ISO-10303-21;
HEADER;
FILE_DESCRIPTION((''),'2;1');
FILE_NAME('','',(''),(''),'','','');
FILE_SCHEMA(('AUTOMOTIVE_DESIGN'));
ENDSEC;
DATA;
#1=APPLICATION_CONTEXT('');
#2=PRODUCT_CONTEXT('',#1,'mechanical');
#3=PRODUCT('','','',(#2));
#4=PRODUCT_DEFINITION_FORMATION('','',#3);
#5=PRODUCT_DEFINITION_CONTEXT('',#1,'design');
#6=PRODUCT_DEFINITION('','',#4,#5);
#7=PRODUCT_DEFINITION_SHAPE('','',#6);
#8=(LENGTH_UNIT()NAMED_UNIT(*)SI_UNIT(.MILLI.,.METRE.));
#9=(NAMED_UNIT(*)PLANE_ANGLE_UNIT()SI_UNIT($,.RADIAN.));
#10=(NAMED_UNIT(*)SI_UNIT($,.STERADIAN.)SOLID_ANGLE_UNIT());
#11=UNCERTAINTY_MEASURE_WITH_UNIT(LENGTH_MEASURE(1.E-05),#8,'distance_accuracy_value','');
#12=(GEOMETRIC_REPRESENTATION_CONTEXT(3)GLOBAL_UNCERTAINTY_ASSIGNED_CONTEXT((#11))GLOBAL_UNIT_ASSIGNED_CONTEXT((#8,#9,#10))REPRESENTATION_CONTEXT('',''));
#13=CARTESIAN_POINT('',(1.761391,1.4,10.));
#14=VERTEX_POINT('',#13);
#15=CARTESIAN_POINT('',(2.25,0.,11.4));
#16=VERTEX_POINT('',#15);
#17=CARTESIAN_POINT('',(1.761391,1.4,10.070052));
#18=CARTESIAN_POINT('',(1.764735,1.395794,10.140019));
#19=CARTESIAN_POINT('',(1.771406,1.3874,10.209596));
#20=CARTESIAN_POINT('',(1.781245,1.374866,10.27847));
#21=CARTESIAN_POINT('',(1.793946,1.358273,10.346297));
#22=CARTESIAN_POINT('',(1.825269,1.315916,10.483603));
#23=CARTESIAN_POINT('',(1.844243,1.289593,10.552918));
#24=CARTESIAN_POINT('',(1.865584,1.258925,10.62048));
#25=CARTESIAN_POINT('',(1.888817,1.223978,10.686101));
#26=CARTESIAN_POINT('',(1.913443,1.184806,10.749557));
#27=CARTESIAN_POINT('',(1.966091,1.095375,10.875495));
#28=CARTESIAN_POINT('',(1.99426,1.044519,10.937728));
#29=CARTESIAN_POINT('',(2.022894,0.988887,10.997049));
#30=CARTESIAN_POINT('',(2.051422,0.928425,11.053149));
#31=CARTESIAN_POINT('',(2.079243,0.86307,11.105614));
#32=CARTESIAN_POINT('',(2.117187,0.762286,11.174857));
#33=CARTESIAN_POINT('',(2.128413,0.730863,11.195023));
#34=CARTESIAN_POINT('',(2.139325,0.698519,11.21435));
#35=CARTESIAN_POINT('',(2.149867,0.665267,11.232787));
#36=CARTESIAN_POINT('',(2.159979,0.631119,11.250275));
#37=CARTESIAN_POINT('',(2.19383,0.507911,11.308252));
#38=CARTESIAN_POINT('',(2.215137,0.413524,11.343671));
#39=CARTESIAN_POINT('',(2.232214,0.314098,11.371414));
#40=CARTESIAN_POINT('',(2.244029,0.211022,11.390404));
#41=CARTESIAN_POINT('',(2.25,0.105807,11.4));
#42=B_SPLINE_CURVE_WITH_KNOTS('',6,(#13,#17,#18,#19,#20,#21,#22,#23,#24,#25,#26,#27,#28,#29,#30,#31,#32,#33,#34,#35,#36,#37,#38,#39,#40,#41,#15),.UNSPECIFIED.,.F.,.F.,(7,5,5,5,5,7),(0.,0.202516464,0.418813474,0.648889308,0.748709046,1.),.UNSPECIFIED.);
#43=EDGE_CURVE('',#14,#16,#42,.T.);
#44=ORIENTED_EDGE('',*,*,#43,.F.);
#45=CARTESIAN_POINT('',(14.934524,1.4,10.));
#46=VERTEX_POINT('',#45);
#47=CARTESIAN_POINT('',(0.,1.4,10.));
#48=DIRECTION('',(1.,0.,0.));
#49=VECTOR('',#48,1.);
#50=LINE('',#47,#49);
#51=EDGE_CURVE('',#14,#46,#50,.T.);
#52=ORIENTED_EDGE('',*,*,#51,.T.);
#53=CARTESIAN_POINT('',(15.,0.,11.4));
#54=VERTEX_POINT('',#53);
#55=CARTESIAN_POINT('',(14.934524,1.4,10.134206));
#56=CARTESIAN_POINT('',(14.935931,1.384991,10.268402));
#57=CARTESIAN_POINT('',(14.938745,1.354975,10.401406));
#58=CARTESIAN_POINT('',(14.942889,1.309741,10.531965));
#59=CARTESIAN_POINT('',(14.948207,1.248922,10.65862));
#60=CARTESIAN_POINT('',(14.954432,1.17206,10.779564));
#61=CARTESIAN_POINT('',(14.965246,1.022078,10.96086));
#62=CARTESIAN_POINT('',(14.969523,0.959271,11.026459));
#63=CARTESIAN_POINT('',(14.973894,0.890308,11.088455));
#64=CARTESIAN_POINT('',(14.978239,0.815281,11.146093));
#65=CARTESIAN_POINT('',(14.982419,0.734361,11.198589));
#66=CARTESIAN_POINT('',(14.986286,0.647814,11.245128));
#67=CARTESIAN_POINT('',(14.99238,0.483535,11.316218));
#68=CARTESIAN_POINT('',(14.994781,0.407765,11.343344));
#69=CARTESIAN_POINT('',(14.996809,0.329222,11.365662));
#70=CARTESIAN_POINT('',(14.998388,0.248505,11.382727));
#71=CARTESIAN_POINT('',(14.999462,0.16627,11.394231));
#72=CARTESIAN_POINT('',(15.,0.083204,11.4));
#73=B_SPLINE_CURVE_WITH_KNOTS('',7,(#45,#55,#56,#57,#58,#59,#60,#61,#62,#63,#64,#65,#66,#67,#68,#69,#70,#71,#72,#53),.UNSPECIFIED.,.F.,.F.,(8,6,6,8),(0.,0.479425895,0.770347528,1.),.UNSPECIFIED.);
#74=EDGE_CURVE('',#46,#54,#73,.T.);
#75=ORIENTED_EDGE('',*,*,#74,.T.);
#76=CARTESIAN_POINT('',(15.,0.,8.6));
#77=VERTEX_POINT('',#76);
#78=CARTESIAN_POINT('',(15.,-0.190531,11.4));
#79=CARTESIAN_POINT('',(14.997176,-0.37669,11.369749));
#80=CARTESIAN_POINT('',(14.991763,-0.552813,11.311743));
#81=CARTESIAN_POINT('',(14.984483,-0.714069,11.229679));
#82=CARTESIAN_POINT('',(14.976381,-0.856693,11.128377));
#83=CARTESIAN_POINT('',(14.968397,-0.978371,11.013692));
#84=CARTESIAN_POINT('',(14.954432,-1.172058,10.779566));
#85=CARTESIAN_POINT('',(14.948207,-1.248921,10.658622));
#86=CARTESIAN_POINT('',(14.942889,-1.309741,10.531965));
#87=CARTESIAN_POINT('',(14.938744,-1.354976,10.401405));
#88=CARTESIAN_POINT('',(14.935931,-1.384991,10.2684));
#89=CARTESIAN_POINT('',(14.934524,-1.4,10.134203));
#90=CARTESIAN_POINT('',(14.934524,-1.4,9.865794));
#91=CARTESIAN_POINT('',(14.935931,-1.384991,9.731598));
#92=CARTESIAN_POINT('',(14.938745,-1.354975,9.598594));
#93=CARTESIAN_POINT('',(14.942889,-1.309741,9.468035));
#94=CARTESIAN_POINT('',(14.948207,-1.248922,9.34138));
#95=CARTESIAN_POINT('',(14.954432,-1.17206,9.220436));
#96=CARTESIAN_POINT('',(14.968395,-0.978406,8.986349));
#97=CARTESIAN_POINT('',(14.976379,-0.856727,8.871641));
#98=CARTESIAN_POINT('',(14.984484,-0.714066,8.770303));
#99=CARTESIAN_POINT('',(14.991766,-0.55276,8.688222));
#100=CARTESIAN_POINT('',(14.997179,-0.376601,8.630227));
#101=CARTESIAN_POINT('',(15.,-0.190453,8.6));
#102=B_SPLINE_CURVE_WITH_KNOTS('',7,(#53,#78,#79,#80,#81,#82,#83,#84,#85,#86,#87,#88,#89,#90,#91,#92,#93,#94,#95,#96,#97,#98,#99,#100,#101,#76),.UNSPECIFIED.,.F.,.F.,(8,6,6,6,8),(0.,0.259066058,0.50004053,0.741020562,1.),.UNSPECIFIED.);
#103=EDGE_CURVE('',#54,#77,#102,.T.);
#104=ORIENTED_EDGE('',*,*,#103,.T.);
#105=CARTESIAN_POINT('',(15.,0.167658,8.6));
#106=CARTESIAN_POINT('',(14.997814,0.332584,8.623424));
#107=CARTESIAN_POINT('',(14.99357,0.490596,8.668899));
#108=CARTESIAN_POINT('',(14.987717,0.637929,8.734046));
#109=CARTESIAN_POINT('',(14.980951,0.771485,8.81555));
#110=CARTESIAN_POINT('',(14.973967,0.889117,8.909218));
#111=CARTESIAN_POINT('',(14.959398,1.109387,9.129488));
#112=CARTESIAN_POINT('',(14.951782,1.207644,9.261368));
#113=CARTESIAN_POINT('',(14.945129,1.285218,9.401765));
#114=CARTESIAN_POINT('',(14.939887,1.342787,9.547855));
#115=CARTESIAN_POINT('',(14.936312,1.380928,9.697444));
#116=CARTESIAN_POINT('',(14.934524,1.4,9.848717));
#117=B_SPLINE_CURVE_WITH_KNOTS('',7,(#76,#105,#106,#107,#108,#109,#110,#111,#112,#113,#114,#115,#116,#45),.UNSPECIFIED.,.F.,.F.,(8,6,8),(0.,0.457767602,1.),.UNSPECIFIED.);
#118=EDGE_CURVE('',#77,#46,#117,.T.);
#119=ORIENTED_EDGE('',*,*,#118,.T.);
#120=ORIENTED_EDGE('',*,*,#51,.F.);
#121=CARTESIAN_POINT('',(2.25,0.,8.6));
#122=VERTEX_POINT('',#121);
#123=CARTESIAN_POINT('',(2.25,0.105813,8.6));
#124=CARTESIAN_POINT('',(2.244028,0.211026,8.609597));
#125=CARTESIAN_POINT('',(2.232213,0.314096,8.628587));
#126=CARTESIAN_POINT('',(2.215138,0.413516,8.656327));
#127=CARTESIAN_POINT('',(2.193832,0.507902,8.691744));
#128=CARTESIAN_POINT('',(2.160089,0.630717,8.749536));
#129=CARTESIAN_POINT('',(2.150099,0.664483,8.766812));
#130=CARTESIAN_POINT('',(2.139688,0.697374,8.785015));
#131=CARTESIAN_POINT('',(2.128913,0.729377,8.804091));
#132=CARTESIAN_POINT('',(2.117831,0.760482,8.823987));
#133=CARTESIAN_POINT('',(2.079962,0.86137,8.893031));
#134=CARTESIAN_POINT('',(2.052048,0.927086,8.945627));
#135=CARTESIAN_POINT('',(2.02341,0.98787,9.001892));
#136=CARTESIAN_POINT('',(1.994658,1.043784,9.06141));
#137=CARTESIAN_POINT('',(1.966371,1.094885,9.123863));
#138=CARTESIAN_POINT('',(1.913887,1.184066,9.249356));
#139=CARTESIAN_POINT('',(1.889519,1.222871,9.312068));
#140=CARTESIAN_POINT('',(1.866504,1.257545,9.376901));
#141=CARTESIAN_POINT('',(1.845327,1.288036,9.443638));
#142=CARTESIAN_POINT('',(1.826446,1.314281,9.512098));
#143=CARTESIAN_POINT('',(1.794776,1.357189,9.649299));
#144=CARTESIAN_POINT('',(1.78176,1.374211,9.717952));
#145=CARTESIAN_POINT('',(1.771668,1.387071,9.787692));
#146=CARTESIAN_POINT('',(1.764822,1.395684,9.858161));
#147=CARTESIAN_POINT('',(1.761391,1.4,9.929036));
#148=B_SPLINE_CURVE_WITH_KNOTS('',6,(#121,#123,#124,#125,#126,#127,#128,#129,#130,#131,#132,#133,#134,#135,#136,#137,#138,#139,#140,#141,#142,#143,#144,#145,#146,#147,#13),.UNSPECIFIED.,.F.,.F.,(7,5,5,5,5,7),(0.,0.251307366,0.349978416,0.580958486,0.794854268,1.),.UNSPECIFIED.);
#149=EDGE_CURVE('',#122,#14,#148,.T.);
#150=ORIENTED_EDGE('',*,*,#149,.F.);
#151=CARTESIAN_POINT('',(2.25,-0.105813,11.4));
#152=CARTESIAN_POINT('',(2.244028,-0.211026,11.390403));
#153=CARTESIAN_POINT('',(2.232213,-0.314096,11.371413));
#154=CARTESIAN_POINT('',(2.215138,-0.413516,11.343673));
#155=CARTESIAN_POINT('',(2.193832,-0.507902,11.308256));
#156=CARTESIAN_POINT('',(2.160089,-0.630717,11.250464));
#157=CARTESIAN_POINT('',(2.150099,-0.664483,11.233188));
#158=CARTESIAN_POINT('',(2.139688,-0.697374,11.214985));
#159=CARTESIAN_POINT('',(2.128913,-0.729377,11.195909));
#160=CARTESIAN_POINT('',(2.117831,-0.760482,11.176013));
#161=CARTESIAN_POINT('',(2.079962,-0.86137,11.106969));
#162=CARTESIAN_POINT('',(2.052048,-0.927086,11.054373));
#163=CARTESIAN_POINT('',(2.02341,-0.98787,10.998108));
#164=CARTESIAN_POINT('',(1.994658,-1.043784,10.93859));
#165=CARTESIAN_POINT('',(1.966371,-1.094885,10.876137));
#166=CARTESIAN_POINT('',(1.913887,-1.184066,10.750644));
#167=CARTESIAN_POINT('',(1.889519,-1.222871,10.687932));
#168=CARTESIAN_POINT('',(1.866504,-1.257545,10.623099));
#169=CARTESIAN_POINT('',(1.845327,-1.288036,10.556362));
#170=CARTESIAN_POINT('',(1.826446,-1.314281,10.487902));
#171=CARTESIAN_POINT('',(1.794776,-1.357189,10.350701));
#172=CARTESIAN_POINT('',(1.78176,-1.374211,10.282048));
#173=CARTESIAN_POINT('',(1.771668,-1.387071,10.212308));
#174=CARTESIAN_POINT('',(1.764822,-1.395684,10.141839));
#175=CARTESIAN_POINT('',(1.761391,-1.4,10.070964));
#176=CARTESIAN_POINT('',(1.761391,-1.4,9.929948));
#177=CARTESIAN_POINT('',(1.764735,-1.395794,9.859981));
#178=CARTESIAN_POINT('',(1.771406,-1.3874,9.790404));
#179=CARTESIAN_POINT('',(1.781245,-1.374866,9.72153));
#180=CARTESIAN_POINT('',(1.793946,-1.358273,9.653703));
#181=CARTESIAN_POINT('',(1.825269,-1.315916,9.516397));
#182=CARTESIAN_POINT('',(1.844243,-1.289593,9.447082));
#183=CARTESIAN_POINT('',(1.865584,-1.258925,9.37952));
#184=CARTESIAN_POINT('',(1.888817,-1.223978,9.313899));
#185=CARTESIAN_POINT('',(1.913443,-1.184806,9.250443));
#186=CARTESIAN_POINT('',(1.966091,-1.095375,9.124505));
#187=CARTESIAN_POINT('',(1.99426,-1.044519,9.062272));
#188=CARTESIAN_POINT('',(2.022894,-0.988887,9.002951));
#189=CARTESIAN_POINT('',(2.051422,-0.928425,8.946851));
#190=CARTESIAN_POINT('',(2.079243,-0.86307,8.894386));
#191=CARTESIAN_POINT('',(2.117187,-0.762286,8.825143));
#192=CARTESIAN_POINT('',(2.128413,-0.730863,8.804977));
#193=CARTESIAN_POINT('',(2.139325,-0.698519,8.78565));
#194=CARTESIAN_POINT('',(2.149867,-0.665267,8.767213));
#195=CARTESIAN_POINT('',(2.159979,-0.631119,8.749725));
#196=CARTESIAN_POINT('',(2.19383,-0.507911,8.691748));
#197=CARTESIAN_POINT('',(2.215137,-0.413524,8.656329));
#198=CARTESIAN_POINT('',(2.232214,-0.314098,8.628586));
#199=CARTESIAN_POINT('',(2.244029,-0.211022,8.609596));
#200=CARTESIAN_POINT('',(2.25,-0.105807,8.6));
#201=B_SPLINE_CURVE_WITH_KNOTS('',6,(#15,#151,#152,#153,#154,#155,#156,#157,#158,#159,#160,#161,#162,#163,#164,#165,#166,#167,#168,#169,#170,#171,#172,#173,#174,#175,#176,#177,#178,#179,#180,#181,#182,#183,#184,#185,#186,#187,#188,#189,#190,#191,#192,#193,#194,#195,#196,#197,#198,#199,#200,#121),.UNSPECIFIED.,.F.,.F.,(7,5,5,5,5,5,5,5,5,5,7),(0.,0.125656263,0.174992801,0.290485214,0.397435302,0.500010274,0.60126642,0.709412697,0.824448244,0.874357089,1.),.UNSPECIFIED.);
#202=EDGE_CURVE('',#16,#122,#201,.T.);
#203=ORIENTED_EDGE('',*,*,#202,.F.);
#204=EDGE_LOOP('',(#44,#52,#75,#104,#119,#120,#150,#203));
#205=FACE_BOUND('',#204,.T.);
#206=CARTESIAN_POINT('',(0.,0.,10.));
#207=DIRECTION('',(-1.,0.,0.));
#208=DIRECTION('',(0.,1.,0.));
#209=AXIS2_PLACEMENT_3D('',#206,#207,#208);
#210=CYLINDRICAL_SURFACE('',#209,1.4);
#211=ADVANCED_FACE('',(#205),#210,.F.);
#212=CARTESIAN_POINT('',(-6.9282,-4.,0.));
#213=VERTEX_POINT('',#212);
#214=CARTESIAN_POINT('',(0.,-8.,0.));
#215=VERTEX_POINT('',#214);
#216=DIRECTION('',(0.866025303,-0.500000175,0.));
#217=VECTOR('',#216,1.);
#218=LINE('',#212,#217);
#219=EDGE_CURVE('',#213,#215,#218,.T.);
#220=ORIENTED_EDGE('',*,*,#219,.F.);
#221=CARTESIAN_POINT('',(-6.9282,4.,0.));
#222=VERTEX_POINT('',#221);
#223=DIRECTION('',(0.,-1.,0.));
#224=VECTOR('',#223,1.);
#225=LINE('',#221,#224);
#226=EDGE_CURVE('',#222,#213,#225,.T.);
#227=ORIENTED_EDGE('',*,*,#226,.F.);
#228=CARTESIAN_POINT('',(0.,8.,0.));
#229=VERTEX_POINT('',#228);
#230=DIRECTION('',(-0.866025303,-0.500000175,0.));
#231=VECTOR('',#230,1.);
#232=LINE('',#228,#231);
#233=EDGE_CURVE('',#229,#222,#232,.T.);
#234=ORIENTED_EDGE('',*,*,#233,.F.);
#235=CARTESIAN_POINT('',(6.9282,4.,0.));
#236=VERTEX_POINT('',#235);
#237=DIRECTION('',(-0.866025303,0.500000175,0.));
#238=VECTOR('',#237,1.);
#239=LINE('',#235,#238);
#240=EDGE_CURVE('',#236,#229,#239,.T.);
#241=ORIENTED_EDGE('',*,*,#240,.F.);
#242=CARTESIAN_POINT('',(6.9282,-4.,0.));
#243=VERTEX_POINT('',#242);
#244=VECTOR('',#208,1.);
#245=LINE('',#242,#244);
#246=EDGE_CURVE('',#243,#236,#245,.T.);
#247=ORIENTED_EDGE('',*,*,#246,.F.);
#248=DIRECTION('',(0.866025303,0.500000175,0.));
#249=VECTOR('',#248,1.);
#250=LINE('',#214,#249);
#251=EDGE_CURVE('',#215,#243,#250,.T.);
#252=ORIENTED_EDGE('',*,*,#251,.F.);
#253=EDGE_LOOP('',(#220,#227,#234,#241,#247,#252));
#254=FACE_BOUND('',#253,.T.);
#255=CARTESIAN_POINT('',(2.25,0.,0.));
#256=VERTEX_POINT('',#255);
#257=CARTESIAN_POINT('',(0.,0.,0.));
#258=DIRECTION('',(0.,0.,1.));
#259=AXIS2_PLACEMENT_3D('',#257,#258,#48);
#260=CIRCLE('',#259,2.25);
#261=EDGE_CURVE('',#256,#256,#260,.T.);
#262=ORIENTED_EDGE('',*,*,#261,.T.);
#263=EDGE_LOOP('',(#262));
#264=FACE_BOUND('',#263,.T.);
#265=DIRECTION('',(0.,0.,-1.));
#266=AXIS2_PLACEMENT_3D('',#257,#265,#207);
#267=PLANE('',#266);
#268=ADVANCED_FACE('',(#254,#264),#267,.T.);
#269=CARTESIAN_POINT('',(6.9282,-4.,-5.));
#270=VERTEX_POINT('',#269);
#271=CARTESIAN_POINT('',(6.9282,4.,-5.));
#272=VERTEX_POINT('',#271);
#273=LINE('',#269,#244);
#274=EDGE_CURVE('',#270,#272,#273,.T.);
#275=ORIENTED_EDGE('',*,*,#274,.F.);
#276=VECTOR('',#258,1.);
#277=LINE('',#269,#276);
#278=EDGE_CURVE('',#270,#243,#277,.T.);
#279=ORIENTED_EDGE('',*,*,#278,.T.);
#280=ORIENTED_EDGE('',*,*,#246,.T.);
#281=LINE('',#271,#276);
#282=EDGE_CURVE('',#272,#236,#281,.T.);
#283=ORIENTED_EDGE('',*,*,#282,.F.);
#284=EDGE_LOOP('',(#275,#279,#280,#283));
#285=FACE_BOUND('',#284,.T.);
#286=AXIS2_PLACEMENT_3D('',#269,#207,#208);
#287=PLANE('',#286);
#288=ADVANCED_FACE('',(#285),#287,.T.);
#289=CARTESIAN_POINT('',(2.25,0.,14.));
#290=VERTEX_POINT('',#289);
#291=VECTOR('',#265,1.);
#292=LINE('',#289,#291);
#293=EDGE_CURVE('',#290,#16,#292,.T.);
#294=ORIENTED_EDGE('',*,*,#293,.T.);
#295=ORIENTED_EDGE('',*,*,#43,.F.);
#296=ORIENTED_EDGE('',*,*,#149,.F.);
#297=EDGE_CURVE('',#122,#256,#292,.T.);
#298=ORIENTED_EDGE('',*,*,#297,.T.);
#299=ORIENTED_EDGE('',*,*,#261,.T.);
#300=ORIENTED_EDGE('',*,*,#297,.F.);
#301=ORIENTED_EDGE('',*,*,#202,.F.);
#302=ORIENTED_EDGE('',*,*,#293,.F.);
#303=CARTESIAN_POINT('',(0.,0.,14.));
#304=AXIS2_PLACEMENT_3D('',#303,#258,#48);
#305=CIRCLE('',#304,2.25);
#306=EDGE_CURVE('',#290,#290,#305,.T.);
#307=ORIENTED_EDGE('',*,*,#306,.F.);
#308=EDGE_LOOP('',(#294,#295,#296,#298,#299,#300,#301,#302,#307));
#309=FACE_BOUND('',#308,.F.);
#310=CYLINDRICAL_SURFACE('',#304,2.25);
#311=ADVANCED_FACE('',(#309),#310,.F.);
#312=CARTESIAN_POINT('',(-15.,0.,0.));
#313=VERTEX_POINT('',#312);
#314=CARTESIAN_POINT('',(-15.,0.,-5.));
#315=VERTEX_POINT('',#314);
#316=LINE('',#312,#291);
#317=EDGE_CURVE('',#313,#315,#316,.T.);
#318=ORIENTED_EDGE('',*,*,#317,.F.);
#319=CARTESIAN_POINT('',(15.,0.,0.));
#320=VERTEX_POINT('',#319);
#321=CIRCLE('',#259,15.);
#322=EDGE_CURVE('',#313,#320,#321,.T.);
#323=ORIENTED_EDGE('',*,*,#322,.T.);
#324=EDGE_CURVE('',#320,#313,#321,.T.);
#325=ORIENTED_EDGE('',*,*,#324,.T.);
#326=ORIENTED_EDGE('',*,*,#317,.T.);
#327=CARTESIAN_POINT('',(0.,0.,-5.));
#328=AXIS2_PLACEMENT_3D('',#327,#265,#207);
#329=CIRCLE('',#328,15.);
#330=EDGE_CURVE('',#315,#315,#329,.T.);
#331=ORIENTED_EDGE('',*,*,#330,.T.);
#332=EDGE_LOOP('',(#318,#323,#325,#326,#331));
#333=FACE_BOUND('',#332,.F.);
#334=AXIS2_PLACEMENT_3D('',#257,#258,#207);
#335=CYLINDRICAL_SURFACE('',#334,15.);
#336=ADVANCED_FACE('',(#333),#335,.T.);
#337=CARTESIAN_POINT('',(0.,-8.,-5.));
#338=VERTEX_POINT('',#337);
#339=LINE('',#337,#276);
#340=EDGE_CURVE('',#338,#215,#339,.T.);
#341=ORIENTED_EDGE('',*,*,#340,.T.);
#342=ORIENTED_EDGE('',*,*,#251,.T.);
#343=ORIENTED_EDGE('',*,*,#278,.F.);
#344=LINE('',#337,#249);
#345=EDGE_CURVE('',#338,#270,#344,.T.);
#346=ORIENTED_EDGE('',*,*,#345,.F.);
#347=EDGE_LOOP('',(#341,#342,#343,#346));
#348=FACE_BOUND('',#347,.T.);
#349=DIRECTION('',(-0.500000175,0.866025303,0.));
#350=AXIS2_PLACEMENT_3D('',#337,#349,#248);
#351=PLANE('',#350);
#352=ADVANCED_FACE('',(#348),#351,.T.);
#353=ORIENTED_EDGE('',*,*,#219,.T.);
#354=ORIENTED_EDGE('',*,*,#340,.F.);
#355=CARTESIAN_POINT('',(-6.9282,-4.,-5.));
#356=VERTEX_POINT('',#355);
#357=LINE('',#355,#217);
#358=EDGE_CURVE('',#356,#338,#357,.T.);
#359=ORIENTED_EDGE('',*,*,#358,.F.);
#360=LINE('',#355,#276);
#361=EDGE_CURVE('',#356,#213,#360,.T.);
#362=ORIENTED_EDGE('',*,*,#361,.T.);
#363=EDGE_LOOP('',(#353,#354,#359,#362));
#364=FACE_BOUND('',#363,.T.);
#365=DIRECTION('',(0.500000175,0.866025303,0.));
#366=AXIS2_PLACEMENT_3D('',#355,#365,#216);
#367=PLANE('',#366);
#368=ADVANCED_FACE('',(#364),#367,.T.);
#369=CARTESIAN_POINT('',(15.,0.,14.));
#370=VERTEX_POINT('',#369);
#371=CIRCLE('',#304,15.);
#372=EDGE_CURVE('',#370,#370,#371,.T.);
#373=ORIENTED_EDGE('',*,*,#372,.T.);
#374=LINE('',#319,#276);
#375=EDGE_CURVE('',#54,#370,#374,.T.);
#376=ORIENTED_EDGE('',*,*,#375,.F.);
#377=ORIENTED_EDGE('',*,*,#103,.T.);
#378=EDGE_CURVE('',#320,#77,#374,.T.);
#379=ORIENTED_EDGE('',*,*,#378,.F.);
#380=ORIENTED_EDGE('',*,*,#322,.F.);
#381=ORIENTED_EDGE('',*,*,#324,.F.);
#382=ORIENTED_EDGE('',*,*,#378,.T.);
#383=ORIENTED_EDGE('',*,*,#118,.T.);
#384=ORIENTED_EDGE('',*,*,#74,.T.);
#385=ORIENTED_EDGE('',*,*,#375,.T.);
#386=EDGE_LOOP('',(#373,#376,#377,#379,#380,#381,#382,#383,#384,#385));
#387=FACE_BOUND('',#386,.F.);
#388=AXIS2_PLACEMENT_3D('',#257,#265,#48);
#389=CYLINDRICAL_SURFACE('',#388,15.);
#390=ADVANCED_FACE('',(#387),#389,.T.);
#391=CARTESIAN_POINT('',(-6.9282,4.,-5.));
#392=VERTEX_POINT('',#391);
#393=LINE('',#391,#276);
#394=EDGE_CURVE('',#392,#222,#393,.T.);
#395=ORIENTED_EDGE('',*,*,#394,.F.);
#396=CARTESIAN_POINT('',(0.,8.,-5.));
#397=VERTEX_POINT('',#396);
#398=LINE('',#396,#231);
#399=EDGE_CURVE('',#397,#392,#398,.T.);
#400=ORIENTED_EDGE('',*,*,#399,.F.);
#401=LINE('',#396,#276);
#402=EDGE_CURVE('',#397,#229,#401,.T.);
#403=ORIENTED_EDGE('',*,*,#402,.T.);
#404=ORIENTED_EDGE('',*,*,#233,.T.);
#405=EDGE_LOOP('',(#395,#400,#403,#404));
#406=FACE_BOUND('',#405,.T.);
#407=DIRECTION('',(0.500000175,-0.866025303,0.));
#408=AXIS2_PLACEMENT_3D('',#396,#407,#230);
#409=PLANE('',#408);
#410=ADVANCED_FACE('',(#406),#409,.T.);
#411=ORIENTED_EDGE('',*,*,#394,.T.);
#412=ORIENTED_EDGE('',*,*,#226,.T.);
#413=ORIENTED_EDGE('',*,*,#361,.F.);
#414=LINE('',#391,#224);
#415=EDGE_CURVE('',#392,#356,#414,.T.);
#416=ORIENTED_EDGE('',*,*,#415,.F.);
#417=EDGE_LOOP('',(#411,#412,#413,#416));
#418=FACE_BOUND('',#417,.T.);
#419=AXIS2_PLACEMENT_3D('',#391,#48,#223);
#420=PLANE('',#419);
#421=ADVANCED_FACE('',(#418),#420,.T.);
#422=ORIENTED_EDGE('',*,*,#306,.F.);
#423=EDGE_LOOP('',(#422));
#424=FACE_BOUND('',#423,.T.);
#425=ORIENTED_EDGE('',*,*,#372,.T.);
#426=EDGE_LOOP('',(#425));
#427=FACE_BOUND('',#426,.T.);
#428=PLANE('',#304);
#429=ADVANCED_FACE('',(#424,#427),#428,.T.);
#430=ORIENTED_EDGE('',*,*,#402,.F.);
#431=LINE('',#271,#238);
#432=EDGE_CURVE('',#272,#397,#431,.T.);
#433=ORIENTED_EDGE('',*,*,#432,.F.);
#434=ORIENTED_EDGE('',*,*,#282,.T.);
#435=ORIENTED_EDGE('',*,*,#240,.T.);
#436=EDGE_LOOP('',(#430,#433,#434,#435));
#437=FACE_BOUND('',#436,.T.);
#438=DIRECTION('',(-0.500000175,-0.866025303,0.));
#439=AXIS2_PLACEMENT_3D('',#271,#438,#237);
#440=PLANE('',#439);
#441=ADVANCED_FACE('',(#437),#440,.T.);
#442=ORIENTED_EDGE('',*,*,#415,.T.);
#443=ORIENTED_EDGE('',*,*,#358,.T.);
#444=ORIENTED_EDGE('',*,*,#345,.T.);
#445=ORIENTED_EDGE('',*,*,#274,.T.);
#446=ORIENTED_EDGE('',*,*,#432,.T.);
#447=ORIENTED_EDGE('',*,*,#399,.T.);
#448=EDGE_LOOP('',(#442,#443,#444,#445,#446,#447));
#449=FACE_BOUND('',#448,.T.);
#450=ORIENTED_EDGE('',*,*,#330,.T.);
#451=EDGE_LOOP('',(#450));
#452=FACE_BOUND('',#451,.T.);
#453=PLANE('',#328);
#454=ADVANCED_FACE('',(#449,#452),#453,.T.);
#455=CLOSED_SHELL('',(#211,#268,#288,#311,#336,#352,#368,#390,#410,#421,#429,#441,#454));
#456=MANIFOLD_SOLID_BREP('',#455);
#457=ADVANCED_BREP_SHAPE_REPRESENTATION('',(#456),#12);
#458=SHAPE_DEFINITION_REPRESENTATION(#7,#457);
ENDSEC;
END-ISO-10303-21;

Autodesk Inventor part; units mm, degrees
ref_plane "YZ Plane" through (0, 0, 0) normal (1, 0, 0) x (0, 1, 0)
ref_plane "XZ Plane" through (0, 0, 0) normal (0, 1, 0) x (-1, 0, 0)
ref_plane "XY Plane" through (0, 0, 0) normal (0, 0, 1) x (1, 0, 0)
sketch "Sketch1" plane through (0, 0, 0) normal (0, 0, 1) x (1, 0, 0)
  circle A0 centre (0, 0) radius 15
  dimension "d0" = 30
extrude "Extrusion1" add sketch "Sketch1" along normal blind 14
sketch "Sketch2" plane through (0, 0, 14) normal (0, 0, 1) x (1, 0, 0)
  circle A0 centre (0, 0) radius 2.25
  dimension "d3" = 4.5
extrude "Extrusion2" cut sketch "Sketch2" against normal blind 19
sketch "Sketch3" plane through (0, 0, 0) normal (0, 0, -1) x (-1, 0, 0)
  circle A0 centre (0, 0) radius 15 projected
extrude "Extrusion3" add sketch "Sketch3" along normal blind 5
sketch "Sketch6" plane through (0, 0, -5) normal (0, 0, -1) x (-1, 0, 0)
  line L0 (0, -8) -> (-6.9282, -4)
  line L1 (-6.9282, -4) -> (-6.9282, 4)
  line L2 (-6.9282, 4) -> (0, 8)
  line L3 (0, 8) -> (6.9282, 4)
  line L4 (6.9282, 4) -> (6.9282, -4)
  line L5 (6.9282, -4) -> (0, -8)
  point P0 (0, 0)
  point P1 (0, 0)
  dimension "d15" = 16
extrude "Extrusion6" cut sketch "Sketch6" against normal blind 5
sketch "Sketch7" plane through (0, 0, 0) normal (1, 0, 0) x (0, 1, 0)
  circle A0 centre (0, 10) radius 1.4
  line L0 (15, 14) -> (-15, 14) projected
  point P0 (0, 0)
  dimension "d18" = 2.8
  dimension "d22" = 4
extrude "Extrusion7" cut sketch "Sketch7" along normal through all
properties part number "AA009" material "ABS Plastic"
